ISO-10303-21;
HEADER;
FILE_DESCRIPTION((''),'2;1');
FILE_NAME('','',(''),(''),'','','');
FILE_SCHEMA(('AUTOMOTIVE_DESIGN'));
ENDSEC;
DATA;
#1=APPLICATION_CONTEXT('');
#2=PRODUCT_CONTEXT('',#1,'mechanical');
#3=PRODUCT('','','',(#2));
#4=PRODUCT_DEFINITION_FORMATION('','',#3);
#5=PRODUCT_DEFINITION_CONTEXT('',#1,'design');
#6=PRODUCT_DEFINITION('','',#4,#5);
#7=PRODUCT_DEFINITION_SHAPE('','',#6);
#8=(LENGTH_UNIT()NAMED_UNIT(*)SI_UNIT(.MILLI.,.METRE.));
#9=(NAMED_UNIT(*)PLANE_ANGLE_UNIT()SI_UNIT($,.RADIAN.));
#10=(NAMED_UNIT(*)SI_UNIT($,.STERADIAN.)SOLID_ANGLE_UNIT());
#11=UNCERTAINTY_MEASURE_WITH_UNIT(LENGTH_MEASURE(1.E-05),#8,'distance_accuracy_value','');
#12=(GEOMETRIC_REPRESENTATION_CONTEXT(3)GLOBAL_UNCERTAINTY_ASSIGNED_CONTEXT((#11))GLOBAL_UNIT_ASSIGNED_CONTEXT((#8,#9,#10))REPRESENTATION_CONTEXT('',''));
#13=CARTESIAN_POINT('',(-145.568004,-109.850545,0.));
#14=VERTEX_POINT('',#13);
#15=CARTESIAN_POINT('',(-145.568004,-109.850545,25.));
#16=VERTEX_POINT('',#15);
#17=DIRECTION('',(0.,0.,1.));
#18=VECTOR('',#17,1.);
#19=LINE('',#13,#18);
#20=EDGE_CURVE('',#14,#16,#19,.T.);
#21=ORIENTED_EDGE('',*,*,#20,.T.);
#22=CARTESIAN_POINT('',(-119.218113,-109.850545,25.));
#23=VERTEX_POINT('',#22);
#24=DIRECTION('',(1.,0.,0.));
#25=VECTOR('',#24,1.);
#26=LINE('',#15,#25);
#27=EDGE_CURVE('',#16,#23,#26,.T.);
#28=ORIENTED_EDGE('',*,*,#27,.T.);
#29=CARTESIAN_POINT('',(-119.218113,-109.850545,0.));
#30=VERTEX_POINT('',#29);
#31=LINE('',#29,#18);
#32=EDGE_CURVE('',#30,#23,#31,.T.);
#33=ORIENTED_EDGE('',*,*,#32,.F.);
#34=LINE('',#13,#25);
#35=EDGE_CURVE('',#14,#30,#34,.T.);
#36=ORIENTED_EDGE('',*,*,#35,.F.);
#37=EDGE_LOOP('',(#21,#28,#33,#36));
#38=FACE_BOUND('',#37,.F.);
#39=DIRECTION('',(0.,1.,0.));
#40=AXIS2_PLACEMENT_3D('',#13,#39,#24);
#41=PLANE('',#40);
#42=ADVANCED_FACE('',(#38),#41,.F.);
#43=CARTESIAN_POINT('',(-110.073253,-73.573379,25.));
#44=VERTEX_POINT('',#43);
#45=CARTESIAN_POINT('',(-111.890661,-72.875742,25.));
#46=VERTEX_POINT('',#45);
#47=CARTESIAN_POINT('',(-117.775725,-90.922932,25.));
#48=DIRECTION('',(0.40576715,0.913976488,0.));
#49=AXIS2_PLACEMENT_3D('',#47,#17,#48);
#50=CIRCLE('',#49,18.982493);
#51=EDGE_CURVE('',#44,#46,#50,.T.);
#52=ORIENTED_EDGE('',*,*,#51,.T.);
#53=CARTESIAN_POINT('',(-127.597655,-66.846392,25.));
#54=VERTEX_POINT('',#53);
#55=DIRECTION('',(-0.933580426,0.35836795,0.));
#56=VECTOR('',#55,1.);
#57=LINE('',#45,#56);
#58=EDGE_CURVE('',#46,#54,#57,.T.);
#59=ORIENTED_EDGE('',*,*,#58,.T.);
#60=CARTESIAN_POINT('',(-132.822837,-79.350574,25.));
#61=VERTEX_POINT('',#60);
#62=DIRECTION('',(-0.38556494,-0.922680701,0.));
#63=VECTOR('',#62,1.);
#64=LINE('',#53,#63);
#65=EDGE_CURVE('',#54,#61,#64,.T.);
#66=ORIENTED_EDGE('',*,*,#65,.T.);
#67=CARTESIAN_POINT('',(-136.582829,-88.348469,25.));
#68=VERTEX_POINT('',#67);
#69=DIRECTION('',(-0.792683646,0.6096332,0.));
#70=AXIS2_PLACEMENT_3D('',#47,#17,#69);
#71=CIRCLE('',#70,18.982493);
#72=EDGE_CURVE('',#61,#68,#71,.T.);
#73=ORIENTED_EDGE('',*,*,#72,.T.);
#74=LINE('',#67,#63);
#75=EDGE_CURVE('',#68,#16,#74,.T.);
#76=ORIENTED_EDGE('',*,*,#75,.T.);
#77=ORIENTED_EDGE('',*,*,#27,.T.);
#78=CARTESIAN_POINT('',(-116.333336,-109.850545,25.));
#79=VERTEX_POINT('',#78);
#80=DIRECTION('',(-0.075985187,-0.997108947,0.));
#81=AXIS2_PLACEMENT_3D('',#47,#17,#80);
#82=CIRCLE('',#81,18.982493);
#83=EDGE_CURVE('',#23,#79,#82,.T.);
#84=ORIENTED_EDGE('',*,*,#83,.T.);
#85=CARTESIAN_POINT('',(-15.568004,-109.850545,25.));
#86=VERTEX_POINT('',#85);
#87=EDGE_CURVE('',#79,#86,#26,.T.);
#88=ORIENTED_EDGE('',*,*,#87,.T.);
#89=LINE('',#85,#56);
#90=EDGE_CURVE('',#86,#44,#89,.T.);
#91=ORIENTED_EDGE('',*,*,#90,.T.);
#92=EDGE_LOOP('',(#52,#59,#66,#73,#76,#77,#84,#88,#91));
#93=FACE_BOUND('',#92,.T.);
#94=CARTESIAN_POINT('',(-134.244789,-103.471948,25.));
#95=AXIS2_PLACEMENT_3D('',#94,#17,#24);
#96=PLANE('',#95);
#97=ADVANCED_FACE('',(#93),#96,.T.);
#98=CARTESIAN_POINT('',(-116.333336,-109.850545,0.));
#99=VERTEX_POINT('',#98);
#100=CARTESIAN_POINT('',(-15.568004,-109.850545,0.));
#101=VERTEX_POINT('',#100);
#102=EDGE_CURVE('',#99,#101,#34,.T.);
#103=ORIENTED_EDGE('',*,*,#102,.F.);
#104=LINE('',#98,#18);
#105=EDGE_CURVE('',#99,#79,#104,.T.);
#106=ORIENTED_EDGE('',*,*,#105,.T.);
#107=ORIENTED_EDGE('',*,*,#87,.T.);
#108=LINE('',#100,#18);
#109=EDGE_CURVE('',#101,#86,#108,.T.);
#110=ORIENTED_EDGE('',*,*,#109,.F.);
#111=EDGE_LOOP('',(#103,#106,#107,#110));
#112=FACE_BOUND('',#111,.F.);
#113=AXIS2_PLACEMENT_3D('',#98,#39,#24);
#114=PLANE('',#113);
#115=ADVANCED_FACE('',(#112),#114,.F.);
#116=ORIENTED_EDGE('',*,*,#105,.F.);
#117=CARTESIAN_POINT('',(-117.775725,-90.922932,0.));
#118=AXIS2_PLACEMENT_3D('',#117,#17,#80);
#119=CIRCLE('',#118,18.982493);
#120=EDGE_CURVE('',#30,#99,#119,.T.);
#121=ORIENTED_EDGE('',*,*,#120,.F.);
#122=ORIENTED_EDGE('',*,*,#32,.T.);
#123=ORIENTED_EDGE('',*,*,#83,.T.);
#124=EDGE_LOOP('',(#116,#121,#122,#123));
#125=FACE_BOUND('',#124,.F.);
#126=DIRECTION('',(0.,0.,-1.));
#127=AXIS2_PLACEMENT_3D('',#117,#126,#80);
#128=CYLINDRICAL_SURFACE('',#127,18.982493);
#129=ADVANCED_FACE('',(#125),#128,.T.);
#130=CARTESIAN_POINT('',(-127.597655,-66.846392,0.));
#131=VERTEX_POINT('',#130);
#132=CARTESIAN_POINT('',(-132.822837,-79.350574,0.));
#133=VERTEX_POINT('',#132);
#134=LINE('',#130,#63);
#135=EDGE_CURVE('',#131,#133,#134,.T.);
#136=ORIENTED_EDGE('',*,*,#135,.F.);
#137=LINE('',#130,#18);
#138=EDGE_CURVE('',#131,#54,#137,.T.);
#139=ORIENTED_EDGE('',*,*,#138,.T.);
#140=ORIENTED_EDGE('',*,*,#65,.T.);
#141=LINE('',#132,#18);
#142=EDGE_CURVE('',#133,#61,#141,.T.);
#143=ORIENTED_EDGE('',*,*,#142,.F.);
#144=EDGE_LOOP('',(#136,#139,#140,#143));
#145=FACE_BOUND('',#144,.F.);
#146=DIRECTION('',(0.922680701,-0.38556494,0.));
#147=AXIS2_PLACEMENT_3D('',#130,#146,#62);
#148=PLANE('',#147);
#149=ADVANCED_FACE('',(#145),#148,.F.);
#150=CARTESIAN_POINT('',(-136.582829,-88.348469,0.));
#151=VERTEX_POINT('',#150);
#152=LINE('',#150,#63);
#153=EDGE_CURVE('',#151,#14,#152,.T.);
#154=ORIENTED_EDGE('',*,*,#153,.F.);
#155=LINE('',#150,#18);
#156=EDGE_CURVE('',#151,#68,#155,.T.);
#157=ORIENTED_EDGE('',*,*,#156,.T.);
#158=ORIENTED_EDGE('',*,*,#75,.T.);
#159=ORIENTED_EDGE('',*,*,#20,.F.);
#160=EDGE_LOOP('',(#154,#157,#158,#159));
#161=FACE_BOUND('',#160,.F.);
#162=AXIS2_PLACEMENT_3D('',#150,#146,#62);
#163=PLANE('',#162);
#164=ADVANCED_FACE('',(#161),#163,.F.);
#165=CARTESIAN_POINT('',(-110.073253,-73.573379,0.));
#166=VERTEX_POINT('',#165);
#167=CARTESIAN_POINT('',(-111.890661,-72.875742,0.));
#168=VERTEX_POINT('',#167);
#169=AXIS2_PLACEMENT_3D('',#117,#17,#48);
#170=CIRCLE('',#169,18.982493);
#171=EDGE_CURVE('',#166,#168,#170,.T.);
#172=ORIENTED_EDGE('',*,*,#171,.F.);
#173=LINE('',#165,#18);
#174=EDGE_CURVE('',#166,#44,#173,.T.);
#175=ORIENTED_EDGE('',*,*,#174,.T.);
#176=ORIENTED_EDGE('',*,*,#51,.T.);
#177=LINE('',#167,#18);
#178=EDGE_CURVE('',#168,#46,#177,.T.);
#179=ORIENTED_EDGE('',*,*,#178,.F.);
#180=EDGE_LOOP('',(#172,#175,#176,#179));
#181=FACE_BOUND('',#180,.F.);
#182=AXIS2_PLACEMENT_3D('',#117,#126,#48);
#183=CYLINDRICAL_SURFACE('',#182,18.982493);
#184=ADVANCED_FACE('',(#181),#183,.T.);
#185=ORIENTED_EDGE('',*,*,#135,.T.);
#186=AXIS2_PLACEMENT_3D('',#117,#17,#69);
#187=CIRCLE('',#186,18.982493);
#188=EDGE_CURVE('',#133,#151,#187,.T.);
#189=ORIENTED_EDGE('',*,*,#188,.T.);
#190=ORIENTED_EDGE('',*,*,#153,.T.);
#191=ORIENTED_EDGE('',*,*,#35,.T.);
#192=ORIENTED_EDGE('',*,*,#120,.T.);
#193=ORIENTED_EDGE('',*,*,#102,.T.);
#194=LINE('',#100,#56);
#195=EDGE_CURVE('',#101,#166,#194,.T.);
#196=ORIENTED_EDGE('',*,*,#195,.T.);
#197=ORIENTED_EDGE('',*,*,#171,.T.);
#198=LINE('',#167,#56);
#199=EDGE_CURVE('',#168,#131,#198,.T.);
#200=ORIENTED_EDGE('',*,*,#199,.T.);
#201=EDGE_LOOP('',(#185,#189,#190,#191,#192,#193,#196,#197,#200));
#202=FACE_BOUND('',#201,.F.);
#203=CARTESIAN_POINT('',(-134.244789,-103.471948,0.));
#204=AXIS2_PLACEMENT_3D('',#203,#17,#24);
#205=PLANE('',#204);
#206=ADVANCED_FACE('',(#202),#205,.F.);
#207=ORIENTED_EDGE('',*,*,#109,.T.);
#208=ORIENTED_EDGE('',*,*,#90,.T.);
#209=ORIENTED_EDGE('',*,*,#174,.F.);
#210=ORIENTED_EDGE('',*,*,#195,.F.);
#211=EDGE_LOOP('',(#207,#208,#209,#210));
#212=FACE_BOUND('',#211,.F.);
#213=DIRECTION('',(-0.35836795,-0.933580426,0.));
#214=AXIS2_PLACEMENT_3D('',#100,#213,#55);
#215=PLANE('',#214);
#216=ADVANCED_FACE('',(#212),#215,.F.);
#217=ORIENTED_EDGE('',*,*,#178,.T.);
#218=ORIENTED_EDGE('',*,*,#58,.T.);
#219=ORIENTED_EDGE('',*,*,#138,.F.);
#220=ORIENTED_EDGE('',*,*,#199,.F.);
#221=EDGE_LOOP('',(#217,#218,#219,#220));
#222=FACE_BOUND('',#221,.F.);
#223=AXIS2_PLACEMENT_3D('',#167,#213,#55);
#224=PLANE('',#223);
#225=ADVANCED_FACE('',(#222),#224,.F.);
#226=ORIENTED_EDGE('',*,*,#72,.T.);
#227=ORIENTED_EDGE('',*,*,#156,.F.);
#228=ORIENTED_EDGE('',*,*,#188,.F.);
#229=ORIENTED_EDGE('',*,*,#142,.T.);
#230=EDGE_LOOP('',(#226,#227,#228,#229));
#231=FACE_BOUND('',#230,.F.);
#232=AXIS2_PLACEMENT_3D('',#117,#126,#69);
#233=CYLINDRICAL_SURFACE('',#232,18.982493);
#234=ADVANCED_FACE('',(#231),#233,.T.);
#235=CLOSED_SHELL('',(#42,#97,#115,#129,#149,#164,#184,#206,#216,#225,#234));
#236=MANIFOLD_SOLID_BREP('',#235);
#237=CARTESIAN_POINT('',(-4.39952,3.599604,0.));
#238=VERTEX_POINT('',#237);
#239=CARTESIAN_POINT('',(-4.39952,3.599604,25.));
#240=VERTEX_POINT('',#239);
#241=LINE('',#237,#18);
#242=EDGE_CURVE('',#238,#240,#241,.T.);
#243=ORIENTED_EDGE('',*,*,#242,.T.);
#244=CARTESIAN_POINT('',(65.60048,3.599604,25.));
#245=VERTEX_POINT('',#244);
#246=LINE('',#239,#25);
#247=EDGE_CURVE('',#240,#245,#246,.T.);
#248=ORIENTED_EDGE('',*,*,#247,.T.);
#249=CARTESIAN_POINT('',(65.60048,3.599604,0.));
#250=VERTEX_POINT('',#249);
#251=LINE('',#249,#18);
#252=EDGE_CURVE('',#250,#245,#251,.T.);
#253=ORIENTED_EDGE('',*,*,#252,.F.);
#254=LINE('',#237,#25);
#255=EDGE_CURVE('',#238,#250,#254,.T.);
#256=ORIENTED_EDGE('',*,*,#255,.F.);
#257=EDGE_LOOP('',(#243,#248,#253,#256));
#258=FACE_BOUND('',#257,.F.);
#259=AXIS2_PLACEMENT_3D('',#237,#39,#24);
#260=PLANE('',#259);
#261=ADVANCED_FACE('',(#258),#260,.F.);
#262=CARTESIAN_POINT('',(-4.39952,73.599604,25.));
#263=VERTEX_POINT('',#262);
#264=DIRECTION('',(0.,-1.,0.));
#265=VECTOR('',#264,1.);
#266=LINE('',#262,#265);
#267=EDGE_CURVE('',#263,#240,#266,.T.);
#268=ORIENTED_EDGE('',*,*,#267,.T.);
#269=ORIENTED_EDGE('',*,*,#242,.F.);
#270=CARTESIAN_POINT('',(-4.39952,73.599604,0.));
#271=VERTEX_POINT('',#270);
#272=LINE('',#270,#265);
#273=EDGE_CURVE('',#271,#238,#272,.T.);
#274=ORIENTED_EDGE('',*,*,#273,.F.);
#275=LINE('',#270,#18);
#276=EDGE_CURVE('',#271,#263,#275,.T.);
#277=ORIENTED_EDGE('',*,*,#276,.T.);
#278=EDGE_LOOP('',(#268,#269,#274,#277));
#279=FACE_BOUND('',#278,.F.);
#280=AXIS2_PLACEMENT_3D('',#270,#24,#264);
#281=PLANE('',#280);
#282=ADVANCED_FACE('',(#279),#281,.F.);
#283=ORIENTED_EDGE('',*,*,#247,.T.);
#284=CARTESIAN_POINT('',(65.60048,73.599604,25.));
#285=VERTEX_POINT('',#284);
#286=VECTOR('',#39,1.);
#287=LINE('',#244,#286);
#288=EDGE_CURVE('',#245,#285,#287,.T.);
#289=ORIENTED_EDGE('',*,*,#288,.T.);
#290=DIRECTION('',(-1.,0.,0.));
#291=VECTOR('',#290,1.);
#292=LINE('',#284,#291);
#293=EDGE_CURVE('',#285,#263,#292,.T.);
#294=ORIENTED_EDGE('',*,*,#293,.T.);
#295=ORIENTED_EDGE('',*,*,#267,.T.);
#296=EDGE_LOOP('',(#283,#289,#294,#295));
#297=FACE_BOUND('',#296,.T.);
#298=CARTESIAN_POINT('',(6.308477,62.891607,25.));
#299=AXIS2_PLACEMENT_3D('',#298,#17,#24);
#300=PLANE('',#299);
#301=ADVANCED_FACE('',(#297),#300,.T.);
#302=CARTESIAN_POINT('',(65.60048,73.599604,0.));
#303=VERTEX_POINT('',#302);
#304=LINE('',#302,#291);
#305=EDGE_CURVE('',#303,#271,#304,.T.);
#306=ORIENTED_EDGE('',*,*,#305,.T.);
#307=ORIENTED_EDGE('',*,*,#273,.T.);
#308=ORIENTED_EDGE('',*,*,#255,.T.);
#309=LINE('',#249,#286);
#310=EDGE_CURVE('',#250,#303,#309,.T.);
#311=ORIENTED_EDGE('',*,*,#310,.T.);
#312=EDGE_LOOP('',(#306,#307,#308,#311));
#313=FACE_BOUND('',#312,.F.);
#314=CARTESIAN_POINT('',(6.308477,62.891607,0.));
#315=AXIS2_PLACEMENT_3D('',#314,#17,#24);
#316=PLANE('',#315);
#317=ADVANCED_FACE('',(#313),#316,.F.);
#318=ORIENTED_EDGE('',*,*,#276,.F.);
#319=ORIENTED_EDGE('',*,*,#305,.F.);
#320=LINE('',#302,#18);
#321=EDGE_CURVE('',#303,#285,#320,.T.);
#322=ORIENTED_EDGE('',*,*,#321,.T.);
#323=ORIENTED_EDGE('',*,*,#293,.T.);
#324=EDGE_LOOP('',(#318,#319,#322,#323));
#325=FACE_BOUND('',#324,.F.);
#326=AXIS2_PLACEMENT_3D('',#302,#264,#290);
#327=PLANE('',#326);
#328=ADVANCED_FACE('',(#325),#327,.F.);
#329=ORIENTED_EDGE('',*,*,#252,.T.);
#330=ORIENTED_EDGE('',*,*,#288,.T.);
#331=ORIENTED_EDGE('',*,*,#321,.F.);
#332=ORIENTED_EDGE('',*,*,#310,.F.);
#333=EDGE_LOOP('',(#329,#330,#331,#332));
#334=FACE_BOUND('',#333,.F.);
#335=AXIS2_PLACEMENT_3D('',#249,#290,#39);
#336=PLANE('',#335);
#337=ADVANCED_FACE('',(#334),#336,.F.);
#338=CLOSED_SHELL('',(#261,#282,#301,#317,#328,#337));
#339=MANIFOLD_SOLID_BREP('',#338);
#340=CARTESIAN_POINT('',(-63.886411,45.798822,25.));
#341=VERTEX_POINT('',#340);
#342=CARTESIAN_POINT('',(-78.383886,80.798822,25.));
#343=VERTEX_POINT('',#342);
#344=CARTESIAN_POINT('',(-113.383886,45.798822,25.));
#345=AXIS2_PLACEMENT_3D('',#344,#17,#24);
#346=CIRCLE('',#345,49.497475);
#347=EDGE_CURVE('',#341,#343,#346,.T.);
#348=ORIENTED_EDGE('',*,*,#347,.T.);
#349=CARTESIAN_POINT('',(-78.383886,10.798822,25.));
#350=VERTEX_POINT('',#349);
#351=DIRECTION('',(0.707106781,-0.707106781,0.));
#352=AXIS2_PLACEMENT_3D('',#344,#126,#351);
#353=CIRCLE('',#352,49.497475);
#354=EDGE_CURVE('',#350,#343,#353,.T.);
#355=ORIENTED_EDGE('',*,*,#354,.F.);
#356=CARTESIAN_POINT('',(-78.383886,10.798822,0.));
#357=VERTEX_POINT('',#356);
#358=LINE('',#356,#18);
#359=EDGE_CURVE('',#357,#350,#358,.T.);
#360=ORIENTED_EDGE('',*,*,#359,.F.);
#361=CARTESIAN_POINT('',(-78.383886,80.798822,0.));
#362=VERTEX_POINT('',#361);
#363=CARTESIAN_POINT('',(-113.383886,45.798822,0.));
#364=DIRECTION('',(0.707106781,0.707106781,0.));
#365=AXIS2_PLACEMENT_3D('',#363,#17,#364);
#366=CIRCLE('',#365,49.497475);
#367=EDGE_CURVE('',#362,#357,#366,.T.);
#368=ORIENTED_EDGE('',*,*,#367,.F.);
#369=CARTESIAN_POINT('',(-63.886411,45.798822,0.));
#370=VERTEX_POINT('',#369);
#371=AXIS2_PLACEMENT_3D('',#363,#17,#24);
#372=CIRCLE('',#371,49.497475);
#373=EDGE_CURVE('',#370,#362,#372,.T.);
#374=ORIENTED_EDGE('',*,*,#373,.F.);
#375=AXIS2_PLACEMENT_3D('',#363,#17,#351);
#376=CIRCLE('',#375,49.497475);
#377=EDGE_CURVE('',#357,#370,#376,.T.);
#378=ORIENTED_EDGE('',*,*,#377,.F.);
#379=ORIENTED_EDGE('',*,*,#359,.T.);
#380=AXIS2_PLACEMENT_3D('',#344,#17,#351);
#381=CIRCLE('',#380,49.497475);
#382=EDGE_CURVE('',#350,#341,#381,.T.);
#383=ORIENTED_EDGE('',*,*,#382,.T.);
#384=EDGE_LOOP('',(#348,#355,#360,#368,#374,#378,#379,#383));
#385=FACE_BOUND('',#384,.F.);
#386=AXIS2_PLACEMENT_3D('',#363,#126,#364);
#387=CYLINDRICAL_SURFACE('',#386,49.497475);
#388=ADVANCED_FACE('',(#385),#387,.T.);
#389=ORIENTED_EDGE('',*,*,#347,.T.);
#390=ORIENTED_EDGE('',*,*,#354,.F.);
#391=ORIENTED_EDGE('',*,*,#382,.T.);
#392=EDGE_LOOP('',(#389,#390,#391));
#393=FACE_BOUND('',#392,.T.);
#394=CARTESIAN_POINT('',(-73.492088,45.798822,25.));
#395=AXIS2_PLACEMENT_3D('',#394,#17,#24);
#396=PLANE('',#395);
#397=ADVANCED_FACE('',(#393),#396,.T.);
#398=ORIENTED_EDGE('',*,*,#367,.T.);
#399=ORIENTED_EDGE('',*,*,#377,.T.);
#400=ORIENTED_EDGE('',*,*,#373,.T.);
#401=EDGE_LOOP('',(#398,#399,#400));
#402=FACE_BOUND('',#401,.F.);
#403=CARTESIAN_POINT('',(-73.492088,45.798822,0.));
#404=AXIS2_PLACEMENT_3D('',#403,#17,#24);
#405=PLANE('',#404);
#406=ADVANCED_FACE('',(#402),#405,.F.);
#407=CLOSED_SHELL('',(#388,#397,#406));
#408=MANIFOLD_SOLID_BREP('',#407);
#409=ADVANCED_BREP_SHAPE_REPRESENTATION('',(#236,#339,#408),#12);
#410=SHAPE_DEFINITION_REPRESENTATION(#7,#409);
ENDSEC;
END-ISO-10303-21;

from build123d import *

# Parameters (mm, degrees)
F0_W     = 70
F0_H     = 70
F1_DEPTH = 25


with BuildPart() as f1:
    # F0 (on Top) → F1 (new body)
    with BuildSketch(Plane.XY):
        with BuildLine():
            Line((-78.383885622, 80.7988221571), (-78.383885622, 10.7988221571))
            ThreePointArc((-78.383885622, 10.7988221571), (-67.6541818514, 26.856958652), (-63.886410939, 45.7988221571))
            ThreePointArc((-63.886410939, 45.7988221571), (-67.6541818514, 64.7406856622), (-78.383885622, 80.7988221571))
        make_face()
        with BuildLine():
            ThreePointArc((-148.383885622, 80.7988221571), (-162.8813603051, 45.7988221571), (-148.383885622, 10.7988221571))
            Line((-148.383885622, 10.7988221571), (-148.383885622, 80.7988221571))
        make_face()
        with BuildLine():
            Line((-148.383885622, 80.7988221571), (-78.383885622, 80.7988221571))
            ThreePointArc((-78.383885622, 80.7988221571), (-113.383885622, 95.2962968401), (-148.383885622, 80.7988221571))
        make_face()
        with BuildLine():
            ThreePointArc((-148.383885622, 10.7988221571), (-113.383885622, -3.698652526), (-78.383885622, 10.7988221571))
            Line((-78.383885622, 10.7988221571), (-148.383885622, 10.7988221571))
        make_face()
        with Locations((-113.383885622, 45.7988221571)):
            Rectangle(F0_W, F0_H)
    extrude(amount=F1_DEPTH)


with BuildPart() as f1b:
    # F0 (on Top) → F1, piece 2 (new body)
    with BuildSketch(Plane.XY):
        with BuildLine():
            Line((-136.5828293554, -88.3484685186), (-145.5680037656, -109.8505454913))
            Line((-145.5680037656, -109.8505454913), (-119.2181130045, -109.8505454913))
            ThreePointArc((-119.2181130045, -109.8505454913), (-132.5437753501, -102.8493614933), (-136.5828293554, -88.3484685186))
        make_face()
        with BuildLine():
            ThreePointArc((-98.793231582, -90.9229317547), (-103.8524497559, -103.8255462187), (-116.3333364352, -109.8505454913))
            Line((-116.3333364352, -109.8505454913), (-15.5680037656, -109.8505454913))
            Line((-15.5680037656, -109.8505454913), (-110.0732525797, -73.5733793495))
            ThreePointArc((-110.0732525797, -73.5733793495), (-101.8611532479, -80.5758809385), (-98.793231582, -90.9229317547))
        make_face()
        with BuildLine():
            Line((-127.5976549453, -66.8463915459), (-132.8228365818, -79.3505737261))
            ThreePointArc((-132.8228365818, -79.3505737261), (-123.385238193, -72.7882025226), (-111.8906605133, -72.8757418068))
            Line((-111.8906605133, -72.8757418068), (-127.5976549453, -66.8463915459))
        make_face()
        with BuildLine():
            ThreePointArc((-136.5828293554, -88.3484685186), (-132.5437753501, -102.8493614933), (-119.2181130045, -109.8505454913))
            Line((-119.2181130045, -109.8505454913), (-116.3333364352, -109.8505454913))
            ThreePointArc((-116.3333364352, -109.8505454913), (-103.8524497559, -103.8255462187), (-98.793231582, -90.9229317547))
            ThreePointArc((-98.793231582, -90.9229317547), (-101.8611532479, -80.5758809385), (-110.0732525797, -73.5733793495))
            Line((-110.0732525797, -73.5733793495), (-111.8906605133, -72.8757418068))
            ThreePointArc((-111.8906605133, -72.8757418068), (-123.385238193, -72.7882025226), (-132.8228365818, -79.3505737261))
            Line((-132.8228365818, -79.3505737261), (-136.5828293554, -88.3484685186))
        make_face()
        with BuildLine():
            Line((-116.3333364352, -109.8505454913), (-119.2181130045, -109.8505454913))
            ThreePointArc((-119.2181130045, -109.8505454913), (-117.7757247198, -109.9054248925), (-116.3333364352, -109.8505454913))
        make_face()
        with BuildLine():
            ThreePointArc((-110.0732525797, -73.5733793495), (-110.9730075768, -73.2012477151), (-111.8906605133, -72.8757418068))
            Line((-111.8906605133, -72.8757418068), (-110.0732525797, -73.5733793495))
        make_face()
        with BuildLine():
            ThreePointArc((-132.8228365818, -79.3505737261), (-135.2905048024, -83.603947919), (-136.5828293554, -88.3484685186))
            Line((-136.5828293554, -88.3484685186), (-132.8228365818, -79.3505737261))
        make_face()
    extrude(amount=F1_DEPTH)


with BuildPart() as f1c:
    # F0 (on Top) → F1, piece 3 (new body)
    with BuildSketch(Plane.XY):
        with BuildLine():
            Line((-4.3995198794, 73.5996038932), (-4.3995198794, 38.5996038932))
            ThreePointArc((-4.3995198794, 38.5996038932), (5.8517427791, 63.3483412348), (30.6004801206, 73.5996038932))
            Line((30.6004801206, 73.5996038932), (-4.3995198794, 73.5996038932))
        make_face()
        with BuildLine():
            ThreePointArc((30.6004801206, 73.5996038932), (55.3492174622, 63.3483412348), (65.6004801206, 38.5996038932))
            Line((65.6004801206, 38.5996038932), (65.6004801206, 73.5996038932))
            Line((65.6004801206, 73.5996038932), (30.6004801206, 73.5996038932))
        make_face()
        with BuildLine():
            Line((-4.3995198794, 3.5996038932), (30.6004801206, 3.5996038932))
            ThreePointArc((30.6004801206, 3.5996038932), (5.8517427791, 13.8508665517), (-4.3995198794, 38.5996038932))
            Line((-4.3995198794, 38.5996038932), (-4.3995198794, 3.5996038932))
        make_face()
        with BuildLine():
            Line((30.6004801206, 3.5996038932), (65.6004801206, 3.5996038932))
            Line((65.6004801206, 3.5996038932), (65.6004801206, 38.5996038932))
            ThreePointArc((65.6004801206, 38.5996038932), (55.3492174622, 13.8508665517), (30.6004801206, 3.5996038932))
        make_face()
        with BuildLine():
            ThreePointArc((-4.3995198794, 38.5996038932), (5.8517427791, 13.8508665517), (30.6004801206, 3.5996038932))
            ThreePointArc((30.6004801206, 3.5996038932), (55.3492174622, 13.8508665517), (65.6004801206, 38.5996038932))
            ThreePointArc((65.6004801206, 38.5996038932), (55.3492174622, 63.3483412348), (30.6004801206, 73.5996038932))
            ThreePointArc((30.6004801206, 73.5996038932), (5.8517427791, 63.3483412348), (-4.3995198794, 38.5996038932))
        make_face()
    extrude(amount=F1_DEPTH)


solid = Compound([f1.part, f1b.part, f1c.part])
